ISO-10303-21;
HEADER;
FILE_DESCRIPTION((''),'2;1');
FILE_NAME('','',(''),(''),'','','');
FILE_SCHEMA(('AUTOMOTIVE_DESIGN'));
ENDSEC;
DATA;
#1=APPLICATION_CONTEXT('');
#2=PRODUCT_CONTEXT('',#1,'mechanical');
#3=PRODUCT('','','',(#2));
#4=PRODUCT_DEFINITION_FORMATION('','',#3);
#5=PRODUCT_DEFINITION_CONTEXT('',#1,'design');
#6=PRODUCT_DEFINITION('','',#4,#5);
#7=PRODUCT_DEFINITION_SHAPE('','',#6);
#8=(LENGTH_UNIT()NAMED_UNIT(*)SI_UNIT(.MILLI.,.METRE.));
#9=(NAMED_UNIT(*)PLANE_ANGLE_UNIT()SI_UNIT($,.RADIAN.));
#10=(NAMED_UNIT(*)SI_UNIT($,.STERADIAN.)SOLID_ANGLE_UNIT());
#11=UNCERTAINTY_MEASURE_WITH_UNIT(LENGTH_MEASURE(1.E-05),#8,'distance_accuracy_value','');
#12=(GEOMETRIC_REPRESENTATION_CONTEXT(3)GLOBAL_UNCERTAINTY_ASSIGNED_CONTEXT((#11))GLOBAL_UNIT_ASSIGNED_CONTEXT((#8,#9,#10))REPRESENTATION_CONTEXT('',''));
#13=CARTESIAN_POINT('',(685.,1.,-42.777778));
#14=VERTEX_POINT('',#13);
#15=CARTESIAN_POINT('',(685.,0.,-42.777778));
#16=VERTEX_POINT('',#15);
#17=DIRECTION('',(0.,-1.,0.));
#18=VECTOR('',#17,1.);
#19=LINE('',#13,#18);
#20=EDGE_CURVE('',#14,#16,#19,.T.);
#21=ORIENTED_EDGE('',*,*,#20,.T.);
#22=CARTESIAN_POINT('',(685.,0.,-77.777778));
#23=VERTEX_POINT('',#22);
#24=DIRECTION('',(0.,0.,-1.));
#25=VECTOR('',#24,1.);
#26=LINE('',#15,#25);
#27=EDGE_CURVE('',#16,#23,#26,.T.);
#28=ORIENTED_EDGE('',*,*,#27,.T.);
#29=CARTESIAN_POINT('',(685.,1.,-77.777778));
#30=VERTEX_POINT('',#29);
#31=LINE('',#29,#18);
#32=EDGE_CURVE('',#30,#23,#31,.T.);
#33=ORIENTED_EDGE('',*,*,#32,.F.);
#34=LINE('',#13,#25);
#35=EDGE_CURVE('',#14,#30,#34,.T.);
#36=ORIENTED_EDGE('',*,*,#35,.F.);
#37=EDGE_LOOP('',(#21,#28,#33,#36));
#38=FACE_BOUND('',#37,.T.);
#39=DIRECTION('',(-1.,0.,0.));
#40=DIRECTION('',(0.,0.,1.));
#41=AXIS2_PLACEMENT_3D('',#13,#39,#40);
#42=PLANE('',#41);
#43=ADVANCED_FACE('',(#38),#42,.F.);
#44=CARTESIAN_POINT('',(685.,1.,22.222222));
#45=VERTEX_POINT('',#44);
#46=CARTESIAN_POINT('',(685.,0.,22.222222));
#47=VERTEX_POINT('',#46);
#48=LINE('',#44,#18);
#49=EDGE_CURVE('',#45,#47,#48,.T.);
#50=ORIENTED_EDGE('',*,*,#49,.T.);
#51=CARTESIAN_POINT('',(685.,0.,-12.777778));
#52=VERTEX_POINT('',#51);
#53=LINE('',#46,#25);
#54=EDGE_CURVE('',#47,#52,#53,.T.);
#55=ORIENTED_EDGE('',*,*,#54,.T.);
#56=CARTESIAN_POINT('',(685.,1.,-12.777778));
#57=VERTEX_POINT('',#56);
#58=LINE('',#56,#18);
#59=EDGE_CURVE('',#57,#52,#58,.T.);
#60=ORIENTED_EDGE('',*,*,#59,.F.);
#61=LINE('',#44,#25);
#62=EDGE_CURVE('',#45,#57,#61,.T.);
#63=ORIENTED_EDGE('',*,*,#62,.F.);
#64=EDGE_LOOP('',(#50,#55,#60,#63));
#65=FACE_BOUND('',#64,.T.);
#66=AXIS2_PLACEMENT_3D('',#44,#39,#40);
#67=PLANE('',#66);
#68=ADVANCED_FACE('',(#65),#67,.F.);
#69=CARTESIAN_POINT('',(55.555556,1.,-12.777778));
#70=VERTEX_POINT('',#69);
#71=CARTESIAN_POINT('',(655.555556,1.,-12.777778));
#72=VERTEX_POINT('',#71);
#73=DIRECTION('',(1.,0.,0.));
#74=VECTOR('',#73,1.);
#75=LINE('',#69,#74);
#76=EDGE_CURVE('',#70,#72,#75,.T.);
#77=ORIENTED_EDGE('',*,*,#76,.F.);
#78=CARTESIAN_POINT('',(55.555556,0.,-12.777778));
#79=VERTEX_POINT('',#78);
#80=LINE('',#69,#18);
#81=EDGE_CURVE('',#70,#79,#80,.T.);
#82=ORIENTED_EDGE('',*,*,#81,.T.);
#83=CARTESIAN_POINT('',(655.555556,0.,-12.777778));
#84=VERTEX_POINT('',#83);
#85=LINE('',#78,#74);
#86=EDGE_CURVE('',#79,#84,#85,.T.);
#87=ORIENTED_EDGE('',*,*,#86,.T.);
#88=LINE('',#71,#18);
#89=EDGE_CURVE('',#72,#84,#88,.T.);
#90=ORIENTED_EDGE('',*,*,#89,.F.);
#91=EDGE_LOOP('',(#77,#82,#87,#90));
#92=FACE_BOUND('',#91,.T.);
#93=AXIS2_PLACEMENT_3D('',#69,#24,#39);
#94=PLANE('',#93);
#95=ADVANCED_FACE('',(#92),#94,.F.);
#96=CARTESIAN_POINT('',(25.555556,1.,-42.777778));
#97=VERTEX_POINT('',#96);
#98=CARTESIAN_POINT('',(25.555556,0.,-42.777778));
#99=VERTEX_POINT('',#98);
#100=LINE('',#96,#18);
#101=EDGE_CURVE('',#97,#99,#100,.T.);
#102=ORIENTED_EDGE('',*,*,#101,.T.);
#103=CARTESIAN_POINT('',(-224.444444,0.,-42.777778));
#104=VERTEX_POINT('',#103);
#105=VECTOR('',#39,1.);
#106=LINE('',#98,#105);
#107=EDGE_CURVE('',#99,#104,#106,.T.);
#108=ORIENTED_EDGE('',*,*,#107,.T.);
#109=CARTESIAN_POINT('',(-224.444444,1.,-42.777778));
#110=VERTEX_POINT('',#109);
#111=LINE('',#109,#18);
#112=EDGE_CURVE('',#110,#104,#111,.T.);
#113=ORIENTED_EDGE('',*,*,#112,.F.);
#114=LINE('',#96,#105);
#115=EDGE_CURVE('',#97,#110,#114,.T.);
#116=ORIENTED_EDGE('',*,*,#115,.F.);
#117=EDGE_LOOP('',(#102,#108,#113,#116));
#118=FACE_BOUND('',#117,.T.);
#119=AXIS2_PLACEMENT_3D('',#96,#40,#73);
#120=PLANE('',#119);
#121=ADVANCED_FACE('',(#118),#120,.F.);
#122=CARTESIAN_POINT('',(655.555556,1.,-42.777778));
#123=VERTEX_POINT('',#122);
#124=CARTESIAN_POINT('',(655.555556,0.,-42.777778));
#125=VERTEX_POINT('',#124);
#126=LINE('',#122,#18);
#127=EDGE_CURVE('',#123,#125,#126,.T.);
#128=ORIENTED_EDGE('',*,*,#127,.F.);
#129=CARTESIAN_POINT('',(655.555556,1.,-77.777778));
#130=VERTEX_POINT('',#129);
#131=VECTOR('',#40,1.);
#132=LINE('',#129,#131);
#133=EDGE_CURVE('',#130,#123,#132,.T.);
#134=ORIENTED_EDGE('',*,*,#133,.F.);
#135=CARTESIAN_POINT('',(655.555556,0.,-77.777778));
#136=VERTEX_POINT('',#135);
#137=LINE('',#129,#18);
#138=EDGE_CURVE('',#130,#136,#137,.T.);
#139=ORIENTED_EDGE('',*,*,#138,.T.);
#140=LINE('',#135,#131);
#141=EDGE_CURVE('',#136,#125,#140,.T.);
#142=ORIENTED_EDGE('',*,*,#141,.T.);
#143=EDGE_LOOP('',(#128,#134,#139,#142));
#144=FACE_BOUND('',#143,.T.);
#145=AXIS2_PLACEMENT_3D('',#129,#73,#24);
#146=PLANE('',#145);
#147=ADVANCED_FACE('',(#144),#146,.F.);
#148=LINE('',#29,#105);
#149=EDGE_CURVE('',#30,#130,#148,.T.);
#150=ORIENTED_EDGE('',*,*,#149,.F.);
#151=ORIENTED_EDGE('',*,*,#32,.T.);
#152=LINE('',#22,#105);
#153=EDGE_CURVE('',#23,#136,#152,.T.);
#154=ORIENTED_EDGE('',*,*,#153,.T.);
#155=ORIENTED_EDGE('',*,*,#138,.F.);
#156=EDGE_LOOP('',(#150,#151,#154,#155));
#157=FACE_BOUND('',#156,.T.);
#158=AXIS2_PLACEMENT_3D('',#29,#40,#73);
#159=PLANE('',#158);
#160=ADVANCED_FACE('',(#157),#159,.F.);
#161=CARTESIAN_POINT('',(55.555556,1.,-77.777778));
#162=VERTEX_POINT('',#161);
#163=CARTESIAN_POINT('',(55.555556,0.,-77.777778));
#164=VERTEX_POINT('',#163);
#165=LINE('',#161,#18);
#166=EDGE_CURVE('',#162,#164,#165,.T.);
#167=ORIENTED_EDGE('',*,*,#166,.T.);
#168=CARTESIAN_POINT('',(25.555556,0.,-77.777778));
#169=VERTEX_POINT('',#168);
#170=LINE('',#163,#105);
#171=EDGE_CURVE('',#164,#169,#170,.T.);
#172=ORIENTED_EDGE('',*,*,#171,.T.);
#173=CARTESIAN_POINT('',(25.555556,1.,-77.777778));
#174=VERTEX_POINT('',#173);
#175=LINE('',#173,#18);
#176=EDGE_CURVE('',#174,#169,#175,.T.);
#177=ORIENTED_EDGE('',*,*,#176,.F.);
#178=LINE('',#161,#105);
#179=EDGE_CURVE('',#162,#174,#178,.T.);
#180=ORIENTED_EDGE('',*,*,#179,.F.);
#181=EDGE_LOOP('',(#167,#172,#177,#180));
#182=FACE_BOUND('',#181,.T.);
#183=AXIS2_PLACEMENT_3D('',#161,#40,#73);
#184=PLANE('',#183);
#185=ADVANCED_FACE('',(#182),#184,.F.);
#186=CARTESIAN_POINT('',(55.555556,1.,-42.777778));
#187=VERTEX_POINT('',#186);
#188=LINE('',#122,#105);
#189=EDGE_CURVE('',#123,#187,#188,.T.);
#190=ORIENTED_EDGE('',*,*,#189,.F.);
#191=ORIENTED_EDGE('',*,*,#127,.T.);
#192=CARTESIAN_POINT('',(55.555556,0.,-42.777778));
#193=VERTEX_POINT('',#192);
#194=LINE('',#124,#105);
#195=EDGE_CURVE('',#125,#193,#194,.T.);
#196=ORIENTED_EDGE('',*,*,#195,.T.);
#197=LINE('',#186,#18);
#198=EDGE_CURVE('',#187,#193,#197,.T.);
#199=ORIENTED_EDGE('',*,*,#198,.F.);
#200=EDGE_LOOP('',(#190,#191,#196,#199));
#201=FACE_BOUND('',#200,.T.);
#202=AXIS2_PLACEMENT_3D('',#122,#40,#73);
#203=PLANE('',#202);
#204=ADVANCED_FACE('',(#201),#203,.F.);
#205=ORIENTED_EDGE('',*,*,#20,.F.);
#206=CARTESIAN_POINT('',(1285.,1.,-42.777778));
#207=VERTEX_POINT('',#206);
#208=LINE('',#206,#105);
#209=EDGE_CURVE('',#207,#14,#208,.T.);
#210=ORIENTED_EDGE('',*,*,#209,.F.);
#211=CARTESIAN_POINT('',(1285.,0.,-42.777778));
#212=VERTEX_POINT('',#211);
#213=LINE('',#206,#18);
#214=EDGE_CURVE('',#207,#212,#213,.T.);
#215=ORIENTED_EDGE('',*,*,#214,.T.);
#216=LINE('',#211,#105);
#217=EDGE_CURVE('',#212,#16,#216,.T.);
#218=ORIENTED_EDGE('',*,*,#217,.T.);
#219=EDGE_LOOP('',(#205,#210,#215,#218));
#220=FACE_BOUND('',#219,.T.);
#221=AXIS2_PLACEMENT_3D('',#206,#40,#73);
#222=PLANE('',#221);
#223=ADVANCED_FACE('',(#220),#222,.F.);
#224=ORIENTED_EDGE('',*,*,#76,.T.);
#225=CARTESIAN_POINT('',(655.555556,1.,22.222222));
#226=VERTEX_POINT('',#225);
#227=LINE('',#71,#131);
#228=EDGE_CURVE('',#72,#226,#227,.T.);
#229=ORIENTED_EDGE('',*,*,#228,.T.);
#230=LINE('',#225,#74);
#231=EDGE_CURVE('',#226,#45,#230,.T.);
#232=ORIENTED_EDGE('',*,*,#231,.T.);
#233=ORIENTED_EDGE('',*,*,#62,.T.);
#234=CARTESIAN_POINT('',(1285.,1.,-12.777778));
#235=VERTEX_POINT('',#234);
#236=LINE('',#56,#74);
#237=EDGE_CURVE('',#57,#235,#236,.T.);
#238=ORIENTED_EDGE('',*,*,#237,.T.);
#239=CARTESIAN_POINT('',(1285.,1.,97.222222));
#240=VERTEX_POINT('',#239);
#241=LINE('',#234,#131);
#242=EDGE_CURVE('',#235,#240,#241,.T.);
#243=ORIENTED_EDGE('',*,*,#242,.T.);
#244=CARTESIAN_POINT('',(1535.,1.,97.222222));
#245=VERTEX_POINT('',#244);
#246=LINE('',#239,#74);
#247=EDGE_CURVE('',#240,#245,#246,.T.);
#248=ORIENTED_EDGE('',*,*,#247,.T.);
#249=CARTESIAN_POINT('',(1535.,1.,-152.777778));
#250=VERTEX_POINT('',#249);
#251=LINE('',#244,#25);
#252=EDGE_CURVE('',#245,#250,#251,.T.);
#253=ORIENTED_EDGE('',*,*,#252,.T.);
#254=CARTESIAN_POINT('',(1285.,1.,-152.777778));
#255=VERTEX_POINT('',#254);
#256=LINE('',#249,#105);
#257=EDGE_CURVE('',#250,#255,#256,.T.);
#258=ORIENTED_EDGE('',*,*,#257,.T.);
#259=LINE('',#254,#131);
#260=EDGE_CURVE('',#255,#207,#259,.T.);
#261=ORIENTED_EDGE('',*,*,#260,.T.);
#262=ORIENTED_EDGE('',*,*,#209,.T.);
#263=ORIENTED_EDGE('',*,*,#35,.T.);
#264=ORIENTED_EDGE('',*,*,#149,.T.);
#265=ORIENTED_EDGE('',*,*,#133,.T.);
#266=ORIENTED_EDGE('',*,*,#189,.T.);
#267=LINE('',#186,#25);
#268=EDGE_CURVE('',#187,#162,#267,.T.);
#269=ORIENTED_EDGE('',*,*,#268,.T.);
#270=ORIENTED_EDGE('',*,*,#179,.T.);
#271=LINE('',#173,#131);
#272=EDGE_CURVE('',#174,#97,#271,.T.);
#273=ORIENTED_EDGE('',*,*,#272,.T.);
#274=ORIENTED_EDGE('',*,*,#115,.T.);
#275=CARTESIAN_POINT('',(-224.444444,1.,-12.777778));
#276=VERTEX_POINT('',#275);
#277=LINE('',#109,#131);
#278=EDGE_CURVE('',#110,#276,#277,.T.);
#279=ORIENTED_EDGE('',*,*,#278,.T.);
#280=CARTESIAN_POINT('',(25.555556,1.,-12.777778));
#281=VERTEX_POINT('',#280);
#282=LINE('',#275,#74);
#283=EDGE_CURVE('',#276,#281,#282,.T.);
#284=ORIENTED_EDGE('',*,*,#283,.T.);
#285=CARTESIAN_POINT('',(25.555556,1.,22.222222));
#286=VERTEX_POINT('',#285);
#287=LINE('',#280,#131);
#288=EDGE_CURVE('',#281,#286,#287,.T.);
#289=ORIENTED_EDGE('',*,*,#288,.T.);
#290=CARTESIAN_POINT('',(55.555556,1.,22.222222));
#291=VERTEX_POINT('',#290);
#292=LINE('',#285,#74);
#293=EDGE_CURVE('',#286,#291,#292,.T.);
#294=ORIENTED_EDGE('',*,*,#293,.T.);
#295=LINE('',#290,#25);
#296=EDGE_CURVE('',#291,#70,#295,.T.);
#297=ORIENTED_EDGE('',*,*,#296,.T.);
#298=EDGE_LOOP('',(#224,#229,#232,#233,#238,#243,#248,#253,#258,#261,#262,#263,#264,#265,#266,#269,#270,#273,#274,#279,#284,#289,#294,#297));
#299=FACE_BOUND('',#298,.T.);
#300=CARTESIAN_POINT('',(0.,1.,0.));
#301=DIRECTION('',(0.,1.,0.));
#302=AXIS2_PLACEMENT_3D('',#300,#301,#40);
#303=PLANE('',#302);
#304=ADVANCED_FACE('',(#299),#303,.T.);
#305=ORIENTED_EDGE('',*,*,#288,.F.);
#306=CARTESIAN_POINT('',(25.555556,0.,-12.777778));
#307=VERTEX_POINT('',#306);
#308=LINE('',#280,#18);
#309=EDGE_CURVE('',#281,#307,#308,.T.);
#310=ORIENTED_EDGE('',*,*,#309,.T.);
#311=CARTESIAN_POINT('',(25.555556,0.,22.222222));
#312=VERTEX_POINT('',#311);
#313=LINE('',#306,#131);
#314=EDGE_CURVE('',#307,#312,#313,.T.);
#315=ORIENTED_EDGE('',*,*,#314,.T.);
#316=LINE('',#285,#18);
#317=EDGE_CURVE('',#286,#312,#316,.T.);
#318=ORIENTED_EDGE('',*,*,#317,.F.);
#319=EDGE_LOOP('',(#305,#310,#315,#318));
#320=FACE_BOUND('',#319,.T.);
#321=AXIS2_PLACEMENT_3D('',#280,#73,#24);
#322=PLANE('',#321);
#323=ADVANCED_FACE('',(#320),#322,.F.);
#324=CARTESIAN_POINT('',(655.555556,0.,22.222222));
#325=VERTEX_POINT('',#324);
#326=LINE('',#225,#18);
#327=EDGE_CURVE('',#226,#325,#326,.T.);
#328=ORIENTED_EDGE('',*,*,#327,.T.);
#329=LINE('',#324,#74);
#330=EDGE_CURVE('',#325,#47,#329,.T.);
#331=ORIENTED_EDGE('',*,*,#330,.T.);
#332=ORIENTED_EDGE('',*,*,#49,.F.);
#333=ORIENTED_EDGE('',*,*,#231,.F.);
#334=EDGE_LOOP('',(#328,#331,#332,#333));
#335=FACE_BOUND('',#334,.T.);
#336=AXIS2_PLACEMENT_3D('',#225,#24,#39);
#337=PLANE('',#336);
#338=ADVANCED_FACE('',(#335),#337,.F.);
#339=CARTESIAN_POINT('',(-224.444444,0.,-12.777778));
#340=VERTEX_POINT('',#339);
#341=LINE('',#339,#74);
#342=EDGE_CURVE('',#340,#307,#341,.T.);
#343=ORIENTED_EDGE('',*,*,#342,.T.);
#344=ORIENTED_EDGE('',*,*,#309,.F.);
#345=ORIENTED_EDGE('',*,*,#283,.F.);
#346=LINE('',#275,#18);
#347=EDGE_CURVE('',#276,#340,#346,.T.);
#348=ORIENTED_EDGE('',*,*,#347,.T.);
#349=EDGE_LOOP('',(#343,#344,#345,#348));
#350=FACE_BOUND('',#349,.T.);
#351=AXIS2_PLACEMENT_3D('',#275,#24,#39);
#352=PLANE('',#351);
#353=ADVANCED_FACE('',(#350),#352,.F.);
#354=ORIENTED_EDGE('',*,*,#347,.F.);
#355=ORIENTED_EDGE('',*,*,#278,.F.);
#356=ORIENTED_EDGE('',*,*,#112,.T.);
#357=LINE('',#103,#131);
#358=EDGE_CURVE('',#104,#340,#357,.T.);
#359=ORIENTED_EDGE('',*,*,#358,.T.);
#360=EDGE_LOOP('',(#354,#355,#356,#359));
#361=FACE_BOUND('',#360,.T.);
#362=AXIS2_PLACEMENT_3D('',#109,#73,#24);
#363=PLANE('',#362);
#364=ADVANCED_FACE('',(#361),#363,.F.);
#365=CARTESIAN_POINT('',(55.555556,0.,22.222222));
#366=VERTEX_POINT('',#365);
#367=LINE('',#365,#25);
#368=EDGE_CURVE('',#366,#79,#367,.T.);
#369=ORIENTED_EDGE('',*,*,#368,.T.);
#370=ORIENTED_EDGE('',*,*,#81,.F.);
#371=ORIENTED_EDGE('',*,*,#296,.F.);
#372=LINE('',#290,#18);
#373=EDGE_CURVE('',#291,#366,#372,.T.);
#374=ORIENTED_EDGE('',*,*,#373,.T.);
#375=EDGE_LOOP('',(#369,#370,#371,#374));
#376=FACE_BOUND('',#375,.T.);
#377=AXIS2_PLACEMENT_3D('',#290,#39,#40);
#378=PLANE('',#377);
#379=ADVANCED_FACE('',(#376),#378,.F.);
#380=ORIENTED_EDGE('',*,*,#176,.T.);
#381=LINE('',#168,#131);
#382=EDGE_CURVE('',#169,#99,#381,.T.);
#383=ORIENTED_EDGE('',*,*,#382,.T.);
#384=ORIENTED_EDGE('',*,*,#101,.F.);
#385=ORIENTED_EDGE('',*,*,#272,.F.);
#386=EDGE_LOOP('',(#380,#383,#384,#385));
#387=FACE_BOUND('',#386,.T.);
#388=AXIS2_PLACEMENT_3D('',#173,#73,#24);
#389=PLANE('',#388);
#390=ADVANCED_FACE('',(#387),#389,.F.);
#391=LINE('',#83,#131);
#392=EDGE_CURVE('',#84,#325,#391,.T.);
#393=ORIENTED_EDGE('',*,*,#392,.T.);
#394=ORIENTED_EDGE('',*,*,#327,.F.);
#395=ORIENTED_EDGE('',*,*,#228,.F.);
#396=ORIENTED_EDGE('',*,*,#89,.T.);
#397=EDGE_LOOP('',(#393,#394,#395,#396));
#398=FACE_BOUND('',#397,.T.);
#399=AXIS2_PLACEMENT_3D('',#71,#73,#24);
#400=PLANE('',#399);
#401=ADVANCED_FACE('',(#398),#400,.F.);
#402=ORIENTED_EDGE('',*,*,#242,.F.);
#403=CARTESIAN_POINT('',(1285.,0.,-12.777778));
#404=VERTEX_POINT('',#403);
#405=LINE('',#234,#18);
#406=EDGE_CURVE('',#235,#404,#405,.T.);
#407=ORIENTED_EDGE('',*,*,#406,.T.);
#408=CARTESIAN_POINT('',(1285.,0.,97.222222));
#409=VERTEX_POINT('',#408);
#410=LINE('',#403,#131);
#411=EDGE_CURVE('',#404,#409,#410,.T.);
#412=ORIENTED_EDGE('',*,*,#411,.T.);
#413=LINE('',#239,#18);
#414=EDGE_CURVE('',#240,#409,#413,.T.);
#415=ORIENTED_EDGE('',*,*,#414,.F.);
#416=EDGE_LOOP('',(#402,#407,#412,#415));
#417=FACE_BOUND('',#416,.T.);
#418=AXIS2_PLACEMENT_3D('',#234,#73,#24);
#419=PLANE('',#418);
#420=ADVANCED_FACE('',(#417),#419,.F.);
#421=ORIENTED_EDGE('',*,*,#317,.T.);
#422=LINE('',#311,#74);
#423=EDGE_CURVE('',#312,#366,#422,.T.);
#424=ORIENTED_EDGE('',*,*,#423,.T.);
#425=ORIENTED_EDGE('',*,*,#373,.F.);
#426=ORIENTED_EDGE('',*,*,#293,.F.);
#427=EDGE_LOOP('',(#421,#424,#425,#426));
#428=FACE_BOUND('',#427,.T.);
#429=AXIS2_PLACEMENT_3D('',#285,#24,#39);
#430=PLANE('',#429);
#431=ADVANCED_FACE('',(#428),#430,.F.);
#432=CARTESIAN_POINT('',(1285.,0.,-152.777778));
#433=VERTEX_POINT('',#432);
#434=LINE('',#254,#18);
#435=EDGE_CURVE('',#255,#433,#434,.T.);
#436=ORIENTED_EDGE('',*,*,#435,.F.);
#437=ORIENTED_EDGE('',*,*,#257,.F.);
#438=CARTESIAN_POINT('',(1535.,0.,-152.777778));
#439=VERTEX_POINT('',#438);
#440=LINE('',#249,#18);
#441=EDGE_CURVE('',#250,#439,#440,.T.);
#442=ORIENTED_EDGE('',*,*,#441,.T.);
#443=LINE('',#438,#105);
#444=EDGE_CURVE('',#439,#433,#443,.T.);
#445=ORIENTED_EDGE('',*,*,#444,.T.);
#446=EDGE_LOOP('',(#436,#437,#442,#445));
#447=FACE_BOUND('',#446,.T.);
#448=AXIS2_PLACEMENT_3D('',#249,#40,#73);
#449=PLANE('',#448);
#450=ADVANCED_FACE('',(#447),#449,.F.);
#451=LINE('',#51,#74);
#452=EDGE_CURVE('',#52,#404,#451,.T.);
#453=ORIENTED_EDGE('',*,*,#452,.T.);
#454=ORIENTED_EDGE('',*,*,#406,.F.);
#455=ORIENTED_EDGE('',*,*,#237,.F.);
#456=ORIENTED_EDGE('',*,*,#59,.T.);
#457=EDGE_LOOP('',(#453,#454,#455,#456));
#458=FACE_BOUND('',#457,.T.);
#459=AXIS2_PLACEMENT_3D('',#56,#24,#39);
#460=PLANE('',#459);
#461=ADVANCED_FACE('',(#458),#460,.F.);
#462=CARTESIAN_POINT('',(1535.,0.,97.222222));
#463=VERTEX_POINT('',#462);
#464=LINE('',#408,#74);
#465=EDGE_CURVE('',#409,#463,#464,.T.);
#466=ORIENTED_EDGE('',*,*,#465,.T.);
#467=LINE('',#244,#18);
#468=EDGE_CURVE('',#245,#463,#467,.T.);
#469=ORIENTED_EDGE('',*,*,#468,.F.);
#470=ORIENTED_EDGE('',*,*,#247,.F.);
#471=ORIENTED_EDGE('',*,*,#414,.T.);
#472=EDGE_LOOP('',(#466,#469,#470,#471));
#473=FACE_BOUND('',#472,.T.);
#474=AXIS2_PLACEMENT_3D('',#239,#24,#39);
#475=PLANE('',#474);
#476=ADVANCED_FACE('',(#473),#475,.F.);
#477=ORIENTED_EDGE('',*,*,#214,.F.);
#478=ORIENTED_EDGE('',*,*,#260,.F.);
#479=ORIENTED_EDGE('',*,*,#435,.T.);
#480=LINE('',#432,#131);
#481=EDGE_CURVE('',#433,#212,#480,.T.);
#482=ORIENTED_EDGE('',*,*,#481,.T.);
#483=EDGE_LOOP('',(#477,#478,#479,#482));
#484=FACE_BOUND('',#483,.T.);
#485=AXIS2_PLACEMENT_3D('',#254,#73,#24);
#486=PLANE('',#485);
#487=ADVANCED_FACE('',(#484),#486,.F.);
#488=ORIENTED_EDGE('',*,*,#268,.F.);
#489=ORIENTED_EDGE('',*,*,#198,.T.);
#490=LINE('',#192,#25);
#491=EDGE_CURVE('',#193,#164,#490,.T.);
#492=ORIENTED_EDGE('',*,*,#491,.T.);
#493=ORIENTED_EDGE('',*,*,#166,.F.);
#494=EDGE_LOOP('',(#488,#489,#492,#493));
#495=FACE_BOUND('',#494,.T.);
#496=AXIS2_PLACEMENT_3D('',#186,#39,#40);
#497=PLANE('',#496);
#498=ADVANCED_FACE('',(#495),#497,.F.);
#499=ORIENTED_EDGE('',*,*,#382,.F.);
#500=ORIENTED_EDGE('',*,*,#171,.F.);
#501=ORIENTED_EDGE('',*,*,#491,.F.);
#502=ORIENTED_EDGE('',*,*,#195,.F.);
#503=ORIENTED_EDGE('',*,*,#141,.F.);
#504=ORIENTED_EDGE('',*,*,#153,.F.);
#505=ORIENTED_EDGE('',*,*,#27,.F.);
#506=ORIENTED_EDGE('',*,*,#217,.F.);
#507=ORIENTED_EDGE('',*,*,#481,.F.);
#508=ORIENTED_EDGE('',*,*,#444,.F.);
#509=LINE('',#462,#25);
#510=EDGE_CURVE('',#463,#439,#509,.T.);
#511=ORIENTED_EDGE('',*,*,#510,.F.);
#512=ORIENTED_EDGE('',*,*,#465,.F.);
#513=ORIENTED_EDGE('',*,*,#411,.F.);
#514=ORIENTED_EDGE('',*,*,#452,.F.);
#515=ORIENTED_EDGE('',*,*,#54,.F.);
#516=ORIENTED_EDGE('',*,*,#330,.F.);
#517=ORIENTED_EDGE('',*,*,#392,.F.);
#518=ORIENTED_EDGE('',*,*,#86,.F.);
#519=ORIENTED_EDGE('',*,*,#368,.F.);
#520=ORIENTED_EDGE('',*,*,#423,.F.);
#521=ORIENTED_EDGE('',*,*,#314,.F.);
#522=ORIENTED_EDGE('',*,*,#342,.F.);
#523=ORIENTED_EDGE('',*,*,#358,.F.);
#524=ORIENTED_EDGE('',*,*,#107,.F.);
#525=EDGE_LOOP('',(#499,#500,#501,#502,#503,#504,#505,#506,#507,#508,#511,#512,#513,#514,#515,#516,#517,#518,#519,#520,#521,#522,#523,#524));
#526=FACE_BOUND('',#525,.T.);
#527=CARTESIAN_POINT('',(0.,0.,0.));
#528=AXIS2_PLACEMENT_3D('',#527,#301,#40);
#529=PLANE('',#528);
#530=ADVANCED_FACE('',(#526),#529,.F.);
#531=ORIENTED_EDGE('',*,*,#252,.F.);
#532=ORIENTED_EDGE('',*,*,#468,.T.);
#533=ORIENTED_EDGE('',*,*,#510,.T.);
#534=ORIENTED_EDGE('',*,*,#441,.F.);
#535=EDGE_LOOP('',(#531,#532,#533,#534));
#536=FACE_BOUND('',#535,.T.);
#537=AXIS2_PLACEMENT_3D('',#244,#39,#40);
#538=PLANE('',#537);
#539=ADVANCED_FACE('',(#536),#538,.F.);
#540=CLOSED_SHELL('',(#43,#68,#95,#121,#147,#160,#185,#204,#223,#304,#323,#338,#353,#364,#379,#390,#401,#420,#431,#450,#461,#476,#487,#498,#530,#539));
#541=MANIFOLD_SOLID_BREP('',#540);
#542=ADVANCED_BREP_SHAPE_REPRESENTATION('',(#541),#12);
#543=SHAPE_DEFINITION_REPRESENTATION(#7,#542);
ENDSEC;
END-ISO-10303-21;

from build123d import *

# Parameters (mm, degrees)
BOSS_EXTRUDE1_DEPTH = 1


with BuildPart() as part:
    # Sketch1 → Boss-Extrude1 (new body)
    with BuildSketch(Plane(origin=(0, 0, 0), x_dir=(1, 0, 0), z_dir=(0, 1, 0))):
        Polygon((-224.444444444, 42.777777778), (-224.444444444, 12.777777778), (25.555555556, 12.777777778), (25.555555556, -22.222222222), (55.555555556, -22.222222222), (55.555555556, 12.777777778), (655.555555556, 12.777777778), (655.555555556, -22.222222222), (685, -22.222222222), (685, 12.777777778), (1285, 12.777777778), (1285, -97.222222222), (1535, -97.222222222), (1535, 152.777777778), (1285, 152.777777778), (1285, 42.777777778), (685, 42.777777778), (685, 77.777777778), (655.555555556, 77.777777778), (655.555555556, 42.777777778), (55.555555556, 42.777777778), (55.555555556, 77.777777778), (25.555555556, 77.777777778), (25.555555556, 42.777777778), align=None)
    extrude(amount=BOSS_EXTRUDE1_DEPTH)


solid = part.part
